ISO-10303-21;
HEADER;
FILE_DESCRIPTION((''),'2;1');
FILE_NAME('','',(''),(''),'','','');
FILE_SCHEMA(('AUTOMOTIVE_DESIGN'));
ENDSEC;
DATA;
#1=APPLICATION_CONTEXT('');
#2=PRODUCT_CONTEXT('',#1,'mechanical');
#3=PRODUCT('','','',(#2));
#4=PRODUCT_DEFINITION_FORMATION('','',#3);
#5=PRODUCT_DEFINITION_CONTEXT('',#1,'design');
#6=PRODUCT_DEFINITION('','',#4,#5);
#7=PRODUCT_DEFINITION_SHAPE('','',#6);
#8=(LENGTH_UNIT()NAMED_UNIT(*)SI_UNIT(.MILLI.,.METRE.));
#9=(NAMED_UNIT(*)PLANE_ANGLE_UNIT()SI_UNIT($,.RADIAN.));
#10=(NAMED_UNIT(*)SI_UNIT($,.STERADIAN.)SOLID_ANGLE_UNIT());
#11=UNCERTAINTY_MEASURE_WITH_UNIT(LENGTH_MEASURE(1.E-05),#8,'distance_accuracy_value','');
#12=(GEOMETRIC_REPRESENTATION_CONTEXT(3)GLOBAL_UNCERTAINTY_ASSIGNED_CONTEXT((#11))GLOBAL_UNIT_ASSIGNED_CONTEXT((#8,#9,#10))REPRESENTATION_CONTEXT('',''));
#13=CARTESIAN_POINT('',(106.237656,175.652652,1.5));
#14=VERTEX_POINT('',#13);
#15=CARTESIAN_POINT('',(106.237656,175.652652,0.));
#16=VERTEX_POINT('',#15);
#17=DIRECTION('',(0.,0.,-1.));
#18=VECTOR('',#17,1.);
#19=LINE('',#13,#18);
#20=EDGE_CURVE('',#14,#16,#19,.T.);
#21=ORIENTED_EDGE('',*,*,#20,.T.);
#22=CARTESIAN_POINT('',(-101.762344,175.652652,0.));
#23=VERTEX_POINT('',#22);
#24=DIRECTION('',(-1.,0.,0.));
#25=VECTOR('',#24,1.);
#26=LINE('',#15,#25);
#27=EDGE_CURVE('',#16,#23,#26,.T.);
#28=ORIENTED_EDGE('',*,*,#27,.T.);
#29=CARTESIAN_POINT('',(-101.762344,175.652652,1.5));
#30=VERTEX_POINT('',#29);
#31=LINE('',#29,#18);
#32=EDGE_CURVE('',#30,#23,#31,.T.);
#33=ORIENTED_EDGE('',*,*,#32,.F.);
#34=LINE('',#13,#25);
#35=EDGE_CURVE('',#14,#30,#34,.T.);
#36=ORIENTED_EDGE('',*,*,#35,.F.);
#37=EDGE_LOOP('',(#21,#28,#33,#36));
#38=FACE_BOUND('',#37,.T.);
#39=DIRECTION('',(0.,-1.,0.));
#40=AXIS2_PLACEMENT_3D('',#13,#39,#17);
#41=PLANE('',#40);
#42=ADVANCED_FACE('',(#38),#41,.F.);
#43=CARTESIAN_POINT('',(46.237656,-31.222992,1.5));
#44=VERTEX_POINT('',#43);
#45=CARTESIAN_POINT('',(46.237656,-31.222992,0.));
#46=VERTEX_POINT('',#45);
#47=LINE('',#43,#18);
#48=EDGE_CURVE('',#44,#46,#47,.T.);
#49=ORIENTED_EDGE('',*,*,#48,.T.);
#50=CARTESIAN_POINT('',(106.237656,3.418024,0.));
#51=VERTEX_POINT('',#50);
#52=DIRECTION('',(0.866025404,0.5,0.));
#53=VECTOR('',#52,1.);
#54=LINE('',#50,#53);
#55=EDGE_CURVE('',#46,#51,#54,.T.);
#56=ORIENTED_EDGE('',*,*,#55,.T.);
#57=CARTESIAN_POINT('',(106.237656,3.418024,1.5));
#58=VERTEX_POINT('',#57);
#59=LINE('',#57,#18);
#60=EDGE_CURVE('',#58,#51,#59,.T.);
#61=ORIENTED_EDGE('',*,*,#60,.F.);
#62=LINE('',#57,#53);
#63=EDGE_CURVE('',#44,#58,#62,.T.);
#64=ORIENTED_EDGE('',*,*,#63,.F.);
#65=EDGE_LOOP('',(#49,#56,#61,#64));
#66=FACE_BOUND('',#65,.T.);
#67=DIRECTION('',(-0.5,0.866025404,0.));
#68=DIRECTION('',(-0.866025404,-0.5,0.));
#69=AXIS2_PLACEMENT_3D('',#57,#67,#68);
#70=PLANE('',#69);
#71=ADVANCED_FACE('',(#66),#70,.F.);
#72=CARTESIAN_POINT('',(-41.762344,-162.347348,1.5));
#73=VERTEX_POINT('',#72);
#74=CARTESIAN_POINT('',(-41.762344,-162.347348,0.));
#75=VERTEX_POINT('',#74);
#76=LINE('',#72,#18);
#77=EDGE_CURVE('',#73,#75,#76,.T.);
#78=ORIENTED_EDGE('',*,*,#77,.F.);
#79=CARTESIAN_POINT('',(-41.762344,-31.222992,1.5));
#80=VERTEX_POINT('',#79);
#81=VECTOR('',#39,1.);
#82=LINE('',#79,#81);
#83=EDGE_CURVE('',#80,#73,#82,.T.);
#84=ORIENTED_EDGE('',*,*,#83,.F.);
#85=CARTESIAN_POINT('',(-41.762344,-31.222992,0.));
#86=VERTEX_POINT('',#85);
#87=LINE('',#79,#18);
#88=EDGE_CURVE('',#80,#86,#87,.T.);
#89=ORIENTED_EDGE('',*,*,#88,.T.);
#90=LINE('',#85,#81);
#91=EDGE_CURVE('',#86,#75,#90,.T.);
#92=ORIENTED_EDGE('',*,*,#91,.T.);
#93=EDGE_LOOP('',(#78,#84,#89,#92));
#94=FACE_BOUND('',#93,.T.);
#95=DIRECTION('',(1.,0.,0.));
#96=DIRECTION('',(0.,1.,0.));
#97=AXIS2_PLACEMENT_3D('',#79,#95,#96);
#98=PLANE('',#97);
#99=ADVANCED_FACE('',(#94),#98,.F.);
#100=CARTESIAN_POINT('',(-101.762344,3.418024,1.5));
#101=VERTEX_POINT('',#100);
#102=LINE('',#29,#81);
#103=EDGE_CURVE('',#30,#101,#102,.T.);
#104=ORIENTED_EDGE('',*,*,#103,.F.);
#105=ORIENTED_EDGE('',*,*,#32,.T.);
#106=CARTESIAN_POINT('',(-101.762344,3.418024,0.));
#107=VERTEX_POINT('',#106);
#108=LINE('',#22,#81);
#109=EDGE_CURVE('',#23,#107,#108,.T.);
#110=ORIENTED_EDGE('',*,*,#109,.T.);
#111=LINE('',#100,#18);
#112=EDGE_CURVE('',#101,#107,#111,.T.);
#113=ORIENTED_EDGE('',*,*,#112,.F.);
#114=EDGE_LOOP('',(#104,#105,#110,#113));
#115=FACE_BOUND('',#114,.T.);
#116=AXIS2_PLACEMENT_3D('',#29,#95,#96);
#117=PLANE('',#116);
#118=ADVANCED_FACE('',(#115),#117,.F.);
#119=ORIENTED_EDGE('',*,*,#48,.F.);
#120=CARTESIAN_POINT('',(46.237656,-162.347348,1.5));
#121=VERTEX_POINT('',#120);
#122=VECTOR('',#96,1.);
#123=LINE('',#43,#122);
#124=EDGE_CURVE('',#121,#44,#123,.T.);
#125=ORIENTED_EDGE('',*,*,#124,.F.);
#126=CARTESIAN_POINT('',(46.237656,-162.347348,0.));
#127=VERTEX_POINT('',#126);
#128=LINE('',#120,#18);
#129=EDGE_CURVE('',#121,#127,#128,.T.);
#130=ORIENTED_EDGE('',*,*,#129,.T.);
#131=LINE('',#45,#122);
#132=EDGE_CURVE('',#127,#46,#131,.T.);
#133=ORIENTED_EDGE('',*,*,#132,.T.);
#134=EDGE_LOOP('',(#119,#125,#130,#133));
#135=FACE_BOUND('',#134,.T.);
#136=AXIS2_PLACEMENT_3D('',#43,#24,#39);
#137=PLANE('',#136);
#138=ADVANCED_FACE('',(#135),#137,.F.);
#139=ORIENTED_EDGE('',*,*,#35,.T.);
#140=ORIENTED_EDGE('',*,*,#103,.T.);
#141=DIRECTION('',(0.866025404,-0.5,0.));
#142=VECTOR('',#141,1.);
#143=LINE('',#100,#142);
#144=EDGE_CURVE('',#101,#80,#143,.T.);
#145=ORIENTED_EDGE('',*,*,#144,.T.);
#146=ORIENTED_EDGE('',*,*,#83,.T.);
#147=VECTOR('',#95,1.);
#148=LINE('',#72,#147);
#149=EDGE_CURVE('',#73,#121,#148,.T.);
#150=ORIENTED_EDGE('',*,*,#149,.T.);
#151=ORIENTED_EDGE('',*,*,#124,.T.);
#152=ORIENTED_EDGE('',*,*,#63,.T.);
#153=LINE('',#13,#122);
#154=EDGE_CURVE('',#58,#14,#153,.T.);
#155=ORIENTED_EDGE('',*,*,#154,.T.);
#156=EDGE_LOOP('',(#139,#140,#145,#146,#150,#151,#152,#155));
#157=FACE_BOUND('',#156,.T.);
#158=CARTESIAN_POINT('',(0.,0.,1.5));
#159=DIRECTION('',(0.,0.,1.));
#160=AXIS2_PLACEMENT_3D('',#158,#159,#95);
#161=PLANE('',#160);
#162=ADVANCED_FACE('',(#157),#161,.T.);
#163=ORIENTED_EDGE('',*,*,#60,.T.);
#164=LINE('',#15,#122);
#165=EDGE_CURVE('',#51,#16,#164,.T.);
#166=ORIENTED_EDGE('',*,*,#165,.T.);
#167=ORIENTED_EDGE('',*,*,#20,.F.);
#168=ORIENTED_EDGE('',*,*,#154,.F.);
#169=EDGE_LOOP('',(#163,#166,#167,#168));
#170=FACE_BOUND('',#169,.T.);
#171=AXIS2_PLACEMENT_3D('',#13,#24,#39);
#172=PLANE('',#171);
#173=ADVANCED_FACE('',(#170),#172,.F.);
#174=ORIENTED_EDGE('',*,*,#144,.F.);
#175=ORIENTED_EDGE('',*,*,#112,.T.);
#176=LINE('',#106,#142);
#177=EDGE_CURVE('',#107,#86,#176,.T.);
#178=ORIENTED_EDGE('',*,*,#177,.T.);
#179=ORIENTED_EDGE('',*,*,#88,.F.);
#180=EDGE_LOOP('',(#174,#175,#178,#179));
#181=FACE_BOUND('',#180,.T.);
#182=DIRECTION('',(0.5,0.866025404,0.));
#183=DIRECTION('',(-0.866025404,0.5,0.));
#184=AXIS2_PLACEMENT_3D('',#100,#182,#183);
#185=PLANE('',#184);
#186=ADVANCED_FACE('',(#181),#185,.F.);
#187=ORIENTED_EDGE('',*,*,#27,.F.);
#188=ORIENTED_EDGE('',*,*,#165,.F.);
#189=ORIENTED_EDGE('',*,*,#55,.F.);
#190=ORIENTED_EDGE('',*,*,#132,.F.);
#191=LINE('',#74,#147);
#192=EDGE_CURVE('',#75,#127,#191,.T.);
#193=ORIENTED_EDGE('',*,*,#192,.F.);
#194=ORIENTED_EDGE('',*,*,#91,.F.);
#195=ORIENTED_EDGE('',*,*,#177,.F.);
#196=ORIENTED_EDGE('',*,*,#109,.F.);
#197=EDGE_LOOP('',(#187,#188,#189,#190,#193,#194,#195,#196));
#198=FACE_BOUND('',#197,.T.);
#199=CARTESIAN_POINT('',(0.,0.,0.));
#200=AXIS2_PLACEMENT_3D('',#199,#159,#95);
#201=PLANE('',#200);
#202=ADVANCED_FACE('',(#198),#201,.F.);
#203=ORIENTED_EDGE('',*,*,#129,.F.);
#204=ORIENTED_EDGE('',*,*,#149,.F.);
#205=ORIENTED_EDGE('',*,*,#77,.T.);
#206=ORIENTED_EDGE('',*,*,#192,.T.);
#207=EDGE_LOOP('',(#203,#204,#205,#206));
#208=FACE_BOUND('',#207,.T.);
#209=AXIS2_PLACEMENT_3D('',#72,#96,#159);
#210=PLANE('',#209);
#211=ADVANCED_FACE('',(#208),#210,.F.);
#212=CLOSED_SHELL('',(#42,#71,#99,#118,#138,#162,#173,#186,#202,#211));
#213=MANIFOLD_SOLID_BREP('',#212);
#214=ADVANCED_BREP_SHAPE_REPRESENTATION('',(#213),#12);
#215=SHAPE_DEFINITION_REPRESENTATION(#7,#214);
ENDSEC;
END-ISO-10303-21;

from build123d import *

# Parameters (mm, degrees)
RESSALTO_EXTRUS_O1_DEPTH = 1.5


with BuildPart() as part:
    # Esboço1 → Ressalto-extrusão1 (new body)
    with BuildSketch(Plane.XY):
        Polygon((106.237655735, 175.652651921), (-101.762344265, 175.652651921), (-101.762344265, 3.418023725), (-41.762344265, -31.222992426), (-41.762344265, -162.347348079), (46.237655735, -162.347348079), (46.237655735, -31.222992426), (106.237655735, 3.418023725), align=None)
    extrude(amount=RESSALTO_EXTRUS_O1_DEPTH)


solid = part.part
